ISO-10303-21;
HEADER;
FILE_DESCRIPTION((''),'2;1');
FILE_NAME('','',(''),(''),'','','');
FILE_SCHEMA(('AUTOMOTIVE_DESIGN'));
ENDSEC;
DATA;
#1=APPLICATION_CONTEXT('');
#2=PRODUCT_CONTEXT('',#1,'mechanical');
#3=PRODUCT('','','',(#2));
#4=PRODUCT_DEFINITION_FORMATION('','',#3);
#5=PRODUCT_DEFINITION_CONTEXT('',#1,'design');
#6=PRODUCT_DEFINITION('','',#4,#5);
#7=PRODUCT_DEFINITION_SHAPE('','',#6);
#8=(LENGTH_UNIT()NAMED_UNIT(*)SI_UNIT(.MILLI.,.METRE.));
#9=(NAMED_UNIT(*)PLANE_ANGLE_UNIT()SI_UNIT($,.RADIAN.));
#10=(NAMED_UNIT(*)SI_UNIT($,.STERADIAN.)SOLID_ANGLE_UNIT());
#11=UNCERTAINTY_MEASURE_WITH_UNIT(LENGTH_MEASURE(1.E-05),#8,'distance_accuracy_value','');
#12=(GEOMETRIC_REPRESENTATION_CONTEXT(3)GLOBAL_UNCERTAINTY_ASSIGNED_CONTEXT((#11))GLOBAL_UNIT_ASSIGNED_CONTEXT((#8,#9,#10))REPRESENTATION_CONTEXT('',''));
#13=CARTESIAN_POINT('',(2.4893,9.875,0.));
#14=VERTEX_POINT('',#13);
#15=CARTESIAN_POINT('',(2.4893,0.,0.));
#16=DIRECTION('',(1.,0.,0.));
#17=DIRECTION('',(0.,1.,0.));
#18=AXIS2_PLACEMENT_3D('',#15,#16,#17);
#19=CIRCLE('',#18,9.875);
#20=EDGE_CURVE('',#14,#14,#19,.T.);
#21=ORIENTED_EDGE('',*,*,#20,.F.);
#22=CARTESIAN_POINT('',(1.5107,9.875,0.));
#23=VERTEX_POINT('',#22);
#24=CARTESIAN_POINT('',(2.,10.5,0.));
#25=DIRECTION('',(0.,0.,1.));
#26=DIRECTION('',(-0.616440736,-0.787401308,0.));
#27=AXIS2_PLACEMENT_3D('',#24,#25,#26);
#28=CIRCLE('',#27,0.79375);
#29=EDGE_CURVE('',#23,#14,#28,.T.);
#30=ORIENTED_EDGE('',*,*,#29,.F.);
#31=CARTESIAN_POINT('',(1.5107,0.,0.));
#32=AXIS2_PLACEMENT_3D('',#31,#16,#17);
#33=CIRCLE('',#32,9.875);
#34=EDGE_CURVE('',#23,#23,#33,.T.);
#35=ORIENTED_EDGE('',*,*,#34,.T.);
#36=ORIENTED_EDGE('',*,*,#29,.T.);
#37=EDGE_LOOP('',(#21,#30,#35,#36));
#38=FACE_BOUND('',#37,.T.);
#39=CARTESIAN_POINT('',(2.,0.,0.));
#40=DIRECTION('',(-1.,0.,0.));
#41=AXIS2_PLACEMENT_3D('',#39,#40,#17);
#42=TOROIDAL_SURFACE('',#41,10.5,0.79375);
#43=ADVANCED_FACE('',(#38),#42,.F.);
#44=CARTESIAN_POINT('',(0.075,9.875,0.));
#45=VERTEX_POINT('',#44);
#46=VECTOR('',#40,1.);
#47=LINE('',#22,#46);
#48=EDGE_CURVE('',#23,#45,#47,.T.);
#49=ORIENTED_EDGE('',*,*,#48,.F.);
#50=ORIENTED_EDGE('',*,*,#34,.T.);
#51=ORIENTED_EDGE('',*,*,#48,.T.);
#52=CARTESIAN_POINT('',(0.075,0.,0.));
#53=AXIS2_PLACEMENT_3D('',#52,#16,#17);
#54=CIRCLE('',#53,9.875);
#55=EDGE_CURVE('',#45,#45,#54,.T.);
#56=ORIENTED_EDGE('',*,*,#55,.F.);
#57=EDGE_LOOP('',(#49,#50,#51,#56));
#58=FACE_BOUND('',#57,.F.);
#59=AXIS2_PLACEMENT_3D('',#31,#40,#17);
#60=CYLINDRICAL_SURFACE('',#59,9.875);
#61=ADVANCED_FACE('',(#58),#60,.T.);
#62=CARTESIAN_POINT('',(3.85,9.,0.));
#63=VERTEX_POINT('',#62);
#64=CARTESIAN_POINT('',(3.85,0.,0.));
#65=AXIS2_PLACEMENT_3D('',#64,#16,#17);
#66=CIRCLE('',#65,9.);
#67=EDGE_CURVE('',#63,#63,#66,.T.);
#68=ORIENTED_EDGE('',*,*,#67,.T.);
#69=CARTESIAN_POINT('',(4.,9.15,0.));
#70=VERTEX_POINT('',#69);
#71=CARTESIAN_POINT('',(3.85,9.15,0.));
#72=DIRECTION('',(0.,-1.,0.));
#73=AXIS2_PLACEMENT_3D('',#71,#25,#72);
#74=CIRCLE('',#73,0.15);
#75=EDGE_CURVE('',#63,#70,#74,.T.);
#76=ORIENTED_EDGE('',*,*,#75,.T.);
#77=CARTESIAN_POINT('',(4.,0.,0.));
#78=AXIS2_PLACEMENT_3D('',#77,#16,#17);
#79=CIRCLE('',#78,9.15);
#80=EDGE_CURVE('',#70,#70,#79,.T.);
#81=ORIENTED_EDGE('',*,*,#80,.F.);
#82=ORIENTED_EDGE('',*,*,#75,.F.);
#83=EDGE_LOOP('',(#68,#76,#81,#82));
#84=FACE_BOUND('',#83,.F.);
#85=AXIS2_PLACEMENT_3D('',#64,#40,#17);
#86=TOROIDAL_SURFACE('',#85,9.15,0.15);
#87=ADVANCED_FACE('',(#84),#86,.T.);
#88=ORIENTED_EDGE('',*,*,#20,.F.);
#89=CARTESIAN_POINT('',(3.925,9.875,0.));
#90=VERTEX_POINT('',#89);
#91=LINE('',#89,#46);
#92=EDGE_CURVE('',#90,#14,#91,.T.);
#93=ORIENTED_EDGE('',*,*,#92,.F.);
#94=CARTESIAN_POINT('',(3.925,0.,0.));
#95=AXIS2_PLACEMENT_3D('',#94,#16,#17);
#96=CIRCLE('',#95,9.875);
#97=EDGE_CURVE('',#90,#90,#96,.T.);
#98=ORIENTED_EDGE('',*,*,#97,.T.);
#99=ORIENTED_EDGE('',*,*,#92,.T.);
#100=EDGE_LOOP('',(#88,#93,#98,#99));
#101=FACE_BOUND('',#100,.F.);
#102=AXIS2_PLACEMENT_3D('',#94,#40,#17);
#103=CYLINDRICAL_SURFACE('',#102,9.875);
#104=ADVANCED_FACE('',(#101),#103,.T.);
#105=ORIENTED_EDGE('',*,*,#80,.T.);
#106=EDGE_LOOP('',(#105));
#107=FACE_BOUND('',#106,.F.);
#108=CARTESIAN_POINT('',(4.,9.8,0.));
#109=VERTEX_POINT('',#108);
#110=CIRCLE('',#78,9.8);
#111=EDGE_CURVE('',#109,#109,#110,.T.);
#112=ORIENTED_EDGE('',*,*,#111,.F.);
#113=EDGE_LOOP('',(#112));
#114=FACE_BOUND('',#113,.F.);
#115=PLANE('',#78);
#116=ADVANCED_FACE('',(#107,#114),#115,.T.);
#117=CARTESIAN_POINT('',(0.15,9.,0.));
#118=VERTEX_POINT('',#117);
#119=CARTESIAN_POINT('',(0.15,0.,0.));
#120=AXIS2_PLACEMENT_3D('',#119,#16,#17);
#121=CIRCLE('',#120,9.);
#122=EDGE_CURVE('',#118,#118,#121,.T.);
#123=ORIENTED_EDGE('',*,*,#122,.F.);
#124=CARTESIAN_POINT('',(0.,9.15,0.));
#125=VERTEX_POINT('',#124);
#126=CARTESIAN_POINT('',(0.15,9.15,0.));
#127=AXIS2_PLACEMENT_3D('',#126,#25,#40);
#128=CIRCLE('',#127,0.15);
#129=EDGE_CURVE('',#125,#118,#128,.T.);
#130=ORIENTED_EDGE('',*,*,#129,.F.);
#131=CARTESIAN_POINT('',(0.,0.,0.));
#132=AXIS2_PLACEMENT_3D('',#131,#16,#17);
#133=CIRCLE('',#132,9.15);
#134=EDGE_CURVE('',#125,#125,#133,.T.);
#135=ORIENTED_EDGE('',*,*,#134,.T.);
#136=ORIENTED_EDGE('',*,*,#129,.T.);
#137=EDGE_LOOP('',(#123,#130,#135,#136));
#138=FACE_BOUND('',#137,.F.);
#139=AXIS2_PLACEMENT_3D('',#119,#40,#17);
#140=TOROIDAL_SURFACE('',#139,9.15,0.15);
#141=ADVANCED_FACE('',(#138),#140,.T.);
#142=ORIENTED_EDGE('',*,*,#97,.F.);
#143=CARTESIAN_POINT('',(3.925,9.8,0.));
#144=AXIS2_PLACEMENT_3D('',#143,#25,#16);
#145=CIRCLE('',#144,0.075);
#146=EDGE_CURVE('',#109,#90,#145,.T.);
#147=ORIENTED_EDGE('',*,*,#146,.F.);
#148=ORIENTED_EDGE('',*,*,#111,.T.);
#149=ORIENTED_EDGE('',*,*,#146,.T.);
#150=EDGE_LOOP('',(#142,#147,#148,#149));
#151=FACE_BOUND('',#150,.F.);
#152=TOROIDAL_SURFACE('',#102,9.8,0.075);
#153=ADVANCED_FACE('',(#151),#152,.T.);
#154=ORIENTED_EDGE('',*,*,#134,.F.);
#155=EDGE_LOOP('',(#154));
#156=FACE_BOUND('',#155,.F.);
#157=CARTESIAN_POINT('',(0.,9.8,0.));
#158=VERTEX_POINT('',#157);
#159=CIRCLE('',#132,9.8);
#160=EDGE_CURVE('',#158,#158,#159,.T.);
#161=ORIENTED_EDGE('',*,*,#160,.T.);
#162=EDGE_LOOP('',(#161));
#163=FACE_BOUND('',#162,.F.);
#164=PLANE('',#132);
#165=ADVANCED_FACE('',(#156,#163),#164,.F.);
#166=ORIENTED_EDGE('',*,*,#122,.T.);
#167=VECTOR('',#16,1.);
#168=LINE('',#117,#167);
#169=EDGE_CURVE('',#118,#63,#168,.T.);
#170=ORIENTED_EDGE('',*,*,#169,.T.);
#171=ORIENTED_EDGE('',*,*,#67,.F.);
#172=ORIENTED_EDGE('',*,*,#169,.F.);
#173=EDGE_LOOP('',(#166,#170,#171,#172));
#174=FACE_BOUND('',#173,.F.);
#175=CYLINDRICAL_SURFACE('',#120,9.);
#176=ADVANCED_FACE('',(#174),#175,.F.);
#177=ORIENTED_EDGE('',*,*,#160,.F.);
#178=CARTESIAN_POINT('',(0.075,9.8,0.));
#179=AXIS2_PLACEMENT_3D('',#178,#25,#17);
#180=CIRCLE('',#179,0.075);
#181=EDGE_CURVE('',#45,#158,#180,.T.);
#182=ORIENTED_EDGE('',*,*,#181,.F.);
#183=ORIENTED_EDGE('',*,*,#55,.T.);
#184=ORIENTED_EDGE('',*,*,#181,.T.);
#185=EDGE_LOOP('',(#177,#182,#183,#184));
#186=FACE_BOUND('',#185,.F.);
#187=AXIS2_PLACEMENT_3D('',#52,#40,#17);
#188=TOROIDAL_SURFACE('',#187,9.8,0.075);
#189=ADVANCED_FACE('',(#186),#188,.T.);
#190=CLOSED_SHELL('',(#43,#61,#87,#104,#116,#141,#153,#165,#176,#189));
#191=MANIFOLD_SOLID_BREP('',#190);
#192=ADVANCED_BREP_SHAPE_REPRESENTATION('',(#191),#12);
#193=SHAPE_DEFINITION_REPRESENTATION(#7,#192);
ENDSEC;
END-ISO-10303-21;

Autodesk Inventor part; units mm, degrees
sketch "Sketch_1" plane through (0, 0, 0) normal (0, 0, 1) x (1, 0, 0)
  line L0 (4, 0) -> (0, 0)
  line L1 (0, 9.8) -> (0, 9.15)
  arc A0 (0, 9.15) -> (0.15, 9) centre (0.15, 9.15) ccw
  line L2 (0.15, 9) -> (3.85, 9)
  arc A1 (3.85, 9) -> (4, 9.15) centre (3.85, 9.15) ccw
  line L3 (4, 9.15) -> (4, 9.8)
  arc A2 (4, 9.8) -> (3.925, 9.875) centre (3.925, 9.8) ccw
  line L4 (3.925, 9.875) -> (2.4893, 9.875)
  arc A3 (1.5107, 9.875) -> (2.4893, 9.875) centre (2, 10.5) ccw
  line L5 (1.5107, 9.875) -> (0.075, 9.875)
  arc A4 (0.075, 9.875) -> (0, 9.8) centre (0.075, 9.8) ccw
revolve "Revolution1" add sketch "Sketch_1" angle 360 about axis through (4, 0, 0) along (1, 0, 0)
ref_plane "1_XY" through (2, 0, 0) normal (1, 0, 0) x (0, 0, -1)
ref_plane "1_YZ" through (2, 0, 0) normal (0, 0, -1) x (0, 1, 0)
ref_plane "1_ZX" through (2, 0, 0) normal (0, 1, 0) x (1, 0, 0)
ref_plane "1_Dummy_XY" through (0, 0, 0) normal (-1, 0, 0) x (0, 0, -1)
ref_plane "1_Dummy_YZ" through (0, 0, 0) normal (0, 0, -1) x (0, -1, 0)
ref_plane "1_Dummy_ZX" through (0, 0, 0) normal (0, -1, 0) x (-1, 0, 0)
properties part number "A-2418_ir"
